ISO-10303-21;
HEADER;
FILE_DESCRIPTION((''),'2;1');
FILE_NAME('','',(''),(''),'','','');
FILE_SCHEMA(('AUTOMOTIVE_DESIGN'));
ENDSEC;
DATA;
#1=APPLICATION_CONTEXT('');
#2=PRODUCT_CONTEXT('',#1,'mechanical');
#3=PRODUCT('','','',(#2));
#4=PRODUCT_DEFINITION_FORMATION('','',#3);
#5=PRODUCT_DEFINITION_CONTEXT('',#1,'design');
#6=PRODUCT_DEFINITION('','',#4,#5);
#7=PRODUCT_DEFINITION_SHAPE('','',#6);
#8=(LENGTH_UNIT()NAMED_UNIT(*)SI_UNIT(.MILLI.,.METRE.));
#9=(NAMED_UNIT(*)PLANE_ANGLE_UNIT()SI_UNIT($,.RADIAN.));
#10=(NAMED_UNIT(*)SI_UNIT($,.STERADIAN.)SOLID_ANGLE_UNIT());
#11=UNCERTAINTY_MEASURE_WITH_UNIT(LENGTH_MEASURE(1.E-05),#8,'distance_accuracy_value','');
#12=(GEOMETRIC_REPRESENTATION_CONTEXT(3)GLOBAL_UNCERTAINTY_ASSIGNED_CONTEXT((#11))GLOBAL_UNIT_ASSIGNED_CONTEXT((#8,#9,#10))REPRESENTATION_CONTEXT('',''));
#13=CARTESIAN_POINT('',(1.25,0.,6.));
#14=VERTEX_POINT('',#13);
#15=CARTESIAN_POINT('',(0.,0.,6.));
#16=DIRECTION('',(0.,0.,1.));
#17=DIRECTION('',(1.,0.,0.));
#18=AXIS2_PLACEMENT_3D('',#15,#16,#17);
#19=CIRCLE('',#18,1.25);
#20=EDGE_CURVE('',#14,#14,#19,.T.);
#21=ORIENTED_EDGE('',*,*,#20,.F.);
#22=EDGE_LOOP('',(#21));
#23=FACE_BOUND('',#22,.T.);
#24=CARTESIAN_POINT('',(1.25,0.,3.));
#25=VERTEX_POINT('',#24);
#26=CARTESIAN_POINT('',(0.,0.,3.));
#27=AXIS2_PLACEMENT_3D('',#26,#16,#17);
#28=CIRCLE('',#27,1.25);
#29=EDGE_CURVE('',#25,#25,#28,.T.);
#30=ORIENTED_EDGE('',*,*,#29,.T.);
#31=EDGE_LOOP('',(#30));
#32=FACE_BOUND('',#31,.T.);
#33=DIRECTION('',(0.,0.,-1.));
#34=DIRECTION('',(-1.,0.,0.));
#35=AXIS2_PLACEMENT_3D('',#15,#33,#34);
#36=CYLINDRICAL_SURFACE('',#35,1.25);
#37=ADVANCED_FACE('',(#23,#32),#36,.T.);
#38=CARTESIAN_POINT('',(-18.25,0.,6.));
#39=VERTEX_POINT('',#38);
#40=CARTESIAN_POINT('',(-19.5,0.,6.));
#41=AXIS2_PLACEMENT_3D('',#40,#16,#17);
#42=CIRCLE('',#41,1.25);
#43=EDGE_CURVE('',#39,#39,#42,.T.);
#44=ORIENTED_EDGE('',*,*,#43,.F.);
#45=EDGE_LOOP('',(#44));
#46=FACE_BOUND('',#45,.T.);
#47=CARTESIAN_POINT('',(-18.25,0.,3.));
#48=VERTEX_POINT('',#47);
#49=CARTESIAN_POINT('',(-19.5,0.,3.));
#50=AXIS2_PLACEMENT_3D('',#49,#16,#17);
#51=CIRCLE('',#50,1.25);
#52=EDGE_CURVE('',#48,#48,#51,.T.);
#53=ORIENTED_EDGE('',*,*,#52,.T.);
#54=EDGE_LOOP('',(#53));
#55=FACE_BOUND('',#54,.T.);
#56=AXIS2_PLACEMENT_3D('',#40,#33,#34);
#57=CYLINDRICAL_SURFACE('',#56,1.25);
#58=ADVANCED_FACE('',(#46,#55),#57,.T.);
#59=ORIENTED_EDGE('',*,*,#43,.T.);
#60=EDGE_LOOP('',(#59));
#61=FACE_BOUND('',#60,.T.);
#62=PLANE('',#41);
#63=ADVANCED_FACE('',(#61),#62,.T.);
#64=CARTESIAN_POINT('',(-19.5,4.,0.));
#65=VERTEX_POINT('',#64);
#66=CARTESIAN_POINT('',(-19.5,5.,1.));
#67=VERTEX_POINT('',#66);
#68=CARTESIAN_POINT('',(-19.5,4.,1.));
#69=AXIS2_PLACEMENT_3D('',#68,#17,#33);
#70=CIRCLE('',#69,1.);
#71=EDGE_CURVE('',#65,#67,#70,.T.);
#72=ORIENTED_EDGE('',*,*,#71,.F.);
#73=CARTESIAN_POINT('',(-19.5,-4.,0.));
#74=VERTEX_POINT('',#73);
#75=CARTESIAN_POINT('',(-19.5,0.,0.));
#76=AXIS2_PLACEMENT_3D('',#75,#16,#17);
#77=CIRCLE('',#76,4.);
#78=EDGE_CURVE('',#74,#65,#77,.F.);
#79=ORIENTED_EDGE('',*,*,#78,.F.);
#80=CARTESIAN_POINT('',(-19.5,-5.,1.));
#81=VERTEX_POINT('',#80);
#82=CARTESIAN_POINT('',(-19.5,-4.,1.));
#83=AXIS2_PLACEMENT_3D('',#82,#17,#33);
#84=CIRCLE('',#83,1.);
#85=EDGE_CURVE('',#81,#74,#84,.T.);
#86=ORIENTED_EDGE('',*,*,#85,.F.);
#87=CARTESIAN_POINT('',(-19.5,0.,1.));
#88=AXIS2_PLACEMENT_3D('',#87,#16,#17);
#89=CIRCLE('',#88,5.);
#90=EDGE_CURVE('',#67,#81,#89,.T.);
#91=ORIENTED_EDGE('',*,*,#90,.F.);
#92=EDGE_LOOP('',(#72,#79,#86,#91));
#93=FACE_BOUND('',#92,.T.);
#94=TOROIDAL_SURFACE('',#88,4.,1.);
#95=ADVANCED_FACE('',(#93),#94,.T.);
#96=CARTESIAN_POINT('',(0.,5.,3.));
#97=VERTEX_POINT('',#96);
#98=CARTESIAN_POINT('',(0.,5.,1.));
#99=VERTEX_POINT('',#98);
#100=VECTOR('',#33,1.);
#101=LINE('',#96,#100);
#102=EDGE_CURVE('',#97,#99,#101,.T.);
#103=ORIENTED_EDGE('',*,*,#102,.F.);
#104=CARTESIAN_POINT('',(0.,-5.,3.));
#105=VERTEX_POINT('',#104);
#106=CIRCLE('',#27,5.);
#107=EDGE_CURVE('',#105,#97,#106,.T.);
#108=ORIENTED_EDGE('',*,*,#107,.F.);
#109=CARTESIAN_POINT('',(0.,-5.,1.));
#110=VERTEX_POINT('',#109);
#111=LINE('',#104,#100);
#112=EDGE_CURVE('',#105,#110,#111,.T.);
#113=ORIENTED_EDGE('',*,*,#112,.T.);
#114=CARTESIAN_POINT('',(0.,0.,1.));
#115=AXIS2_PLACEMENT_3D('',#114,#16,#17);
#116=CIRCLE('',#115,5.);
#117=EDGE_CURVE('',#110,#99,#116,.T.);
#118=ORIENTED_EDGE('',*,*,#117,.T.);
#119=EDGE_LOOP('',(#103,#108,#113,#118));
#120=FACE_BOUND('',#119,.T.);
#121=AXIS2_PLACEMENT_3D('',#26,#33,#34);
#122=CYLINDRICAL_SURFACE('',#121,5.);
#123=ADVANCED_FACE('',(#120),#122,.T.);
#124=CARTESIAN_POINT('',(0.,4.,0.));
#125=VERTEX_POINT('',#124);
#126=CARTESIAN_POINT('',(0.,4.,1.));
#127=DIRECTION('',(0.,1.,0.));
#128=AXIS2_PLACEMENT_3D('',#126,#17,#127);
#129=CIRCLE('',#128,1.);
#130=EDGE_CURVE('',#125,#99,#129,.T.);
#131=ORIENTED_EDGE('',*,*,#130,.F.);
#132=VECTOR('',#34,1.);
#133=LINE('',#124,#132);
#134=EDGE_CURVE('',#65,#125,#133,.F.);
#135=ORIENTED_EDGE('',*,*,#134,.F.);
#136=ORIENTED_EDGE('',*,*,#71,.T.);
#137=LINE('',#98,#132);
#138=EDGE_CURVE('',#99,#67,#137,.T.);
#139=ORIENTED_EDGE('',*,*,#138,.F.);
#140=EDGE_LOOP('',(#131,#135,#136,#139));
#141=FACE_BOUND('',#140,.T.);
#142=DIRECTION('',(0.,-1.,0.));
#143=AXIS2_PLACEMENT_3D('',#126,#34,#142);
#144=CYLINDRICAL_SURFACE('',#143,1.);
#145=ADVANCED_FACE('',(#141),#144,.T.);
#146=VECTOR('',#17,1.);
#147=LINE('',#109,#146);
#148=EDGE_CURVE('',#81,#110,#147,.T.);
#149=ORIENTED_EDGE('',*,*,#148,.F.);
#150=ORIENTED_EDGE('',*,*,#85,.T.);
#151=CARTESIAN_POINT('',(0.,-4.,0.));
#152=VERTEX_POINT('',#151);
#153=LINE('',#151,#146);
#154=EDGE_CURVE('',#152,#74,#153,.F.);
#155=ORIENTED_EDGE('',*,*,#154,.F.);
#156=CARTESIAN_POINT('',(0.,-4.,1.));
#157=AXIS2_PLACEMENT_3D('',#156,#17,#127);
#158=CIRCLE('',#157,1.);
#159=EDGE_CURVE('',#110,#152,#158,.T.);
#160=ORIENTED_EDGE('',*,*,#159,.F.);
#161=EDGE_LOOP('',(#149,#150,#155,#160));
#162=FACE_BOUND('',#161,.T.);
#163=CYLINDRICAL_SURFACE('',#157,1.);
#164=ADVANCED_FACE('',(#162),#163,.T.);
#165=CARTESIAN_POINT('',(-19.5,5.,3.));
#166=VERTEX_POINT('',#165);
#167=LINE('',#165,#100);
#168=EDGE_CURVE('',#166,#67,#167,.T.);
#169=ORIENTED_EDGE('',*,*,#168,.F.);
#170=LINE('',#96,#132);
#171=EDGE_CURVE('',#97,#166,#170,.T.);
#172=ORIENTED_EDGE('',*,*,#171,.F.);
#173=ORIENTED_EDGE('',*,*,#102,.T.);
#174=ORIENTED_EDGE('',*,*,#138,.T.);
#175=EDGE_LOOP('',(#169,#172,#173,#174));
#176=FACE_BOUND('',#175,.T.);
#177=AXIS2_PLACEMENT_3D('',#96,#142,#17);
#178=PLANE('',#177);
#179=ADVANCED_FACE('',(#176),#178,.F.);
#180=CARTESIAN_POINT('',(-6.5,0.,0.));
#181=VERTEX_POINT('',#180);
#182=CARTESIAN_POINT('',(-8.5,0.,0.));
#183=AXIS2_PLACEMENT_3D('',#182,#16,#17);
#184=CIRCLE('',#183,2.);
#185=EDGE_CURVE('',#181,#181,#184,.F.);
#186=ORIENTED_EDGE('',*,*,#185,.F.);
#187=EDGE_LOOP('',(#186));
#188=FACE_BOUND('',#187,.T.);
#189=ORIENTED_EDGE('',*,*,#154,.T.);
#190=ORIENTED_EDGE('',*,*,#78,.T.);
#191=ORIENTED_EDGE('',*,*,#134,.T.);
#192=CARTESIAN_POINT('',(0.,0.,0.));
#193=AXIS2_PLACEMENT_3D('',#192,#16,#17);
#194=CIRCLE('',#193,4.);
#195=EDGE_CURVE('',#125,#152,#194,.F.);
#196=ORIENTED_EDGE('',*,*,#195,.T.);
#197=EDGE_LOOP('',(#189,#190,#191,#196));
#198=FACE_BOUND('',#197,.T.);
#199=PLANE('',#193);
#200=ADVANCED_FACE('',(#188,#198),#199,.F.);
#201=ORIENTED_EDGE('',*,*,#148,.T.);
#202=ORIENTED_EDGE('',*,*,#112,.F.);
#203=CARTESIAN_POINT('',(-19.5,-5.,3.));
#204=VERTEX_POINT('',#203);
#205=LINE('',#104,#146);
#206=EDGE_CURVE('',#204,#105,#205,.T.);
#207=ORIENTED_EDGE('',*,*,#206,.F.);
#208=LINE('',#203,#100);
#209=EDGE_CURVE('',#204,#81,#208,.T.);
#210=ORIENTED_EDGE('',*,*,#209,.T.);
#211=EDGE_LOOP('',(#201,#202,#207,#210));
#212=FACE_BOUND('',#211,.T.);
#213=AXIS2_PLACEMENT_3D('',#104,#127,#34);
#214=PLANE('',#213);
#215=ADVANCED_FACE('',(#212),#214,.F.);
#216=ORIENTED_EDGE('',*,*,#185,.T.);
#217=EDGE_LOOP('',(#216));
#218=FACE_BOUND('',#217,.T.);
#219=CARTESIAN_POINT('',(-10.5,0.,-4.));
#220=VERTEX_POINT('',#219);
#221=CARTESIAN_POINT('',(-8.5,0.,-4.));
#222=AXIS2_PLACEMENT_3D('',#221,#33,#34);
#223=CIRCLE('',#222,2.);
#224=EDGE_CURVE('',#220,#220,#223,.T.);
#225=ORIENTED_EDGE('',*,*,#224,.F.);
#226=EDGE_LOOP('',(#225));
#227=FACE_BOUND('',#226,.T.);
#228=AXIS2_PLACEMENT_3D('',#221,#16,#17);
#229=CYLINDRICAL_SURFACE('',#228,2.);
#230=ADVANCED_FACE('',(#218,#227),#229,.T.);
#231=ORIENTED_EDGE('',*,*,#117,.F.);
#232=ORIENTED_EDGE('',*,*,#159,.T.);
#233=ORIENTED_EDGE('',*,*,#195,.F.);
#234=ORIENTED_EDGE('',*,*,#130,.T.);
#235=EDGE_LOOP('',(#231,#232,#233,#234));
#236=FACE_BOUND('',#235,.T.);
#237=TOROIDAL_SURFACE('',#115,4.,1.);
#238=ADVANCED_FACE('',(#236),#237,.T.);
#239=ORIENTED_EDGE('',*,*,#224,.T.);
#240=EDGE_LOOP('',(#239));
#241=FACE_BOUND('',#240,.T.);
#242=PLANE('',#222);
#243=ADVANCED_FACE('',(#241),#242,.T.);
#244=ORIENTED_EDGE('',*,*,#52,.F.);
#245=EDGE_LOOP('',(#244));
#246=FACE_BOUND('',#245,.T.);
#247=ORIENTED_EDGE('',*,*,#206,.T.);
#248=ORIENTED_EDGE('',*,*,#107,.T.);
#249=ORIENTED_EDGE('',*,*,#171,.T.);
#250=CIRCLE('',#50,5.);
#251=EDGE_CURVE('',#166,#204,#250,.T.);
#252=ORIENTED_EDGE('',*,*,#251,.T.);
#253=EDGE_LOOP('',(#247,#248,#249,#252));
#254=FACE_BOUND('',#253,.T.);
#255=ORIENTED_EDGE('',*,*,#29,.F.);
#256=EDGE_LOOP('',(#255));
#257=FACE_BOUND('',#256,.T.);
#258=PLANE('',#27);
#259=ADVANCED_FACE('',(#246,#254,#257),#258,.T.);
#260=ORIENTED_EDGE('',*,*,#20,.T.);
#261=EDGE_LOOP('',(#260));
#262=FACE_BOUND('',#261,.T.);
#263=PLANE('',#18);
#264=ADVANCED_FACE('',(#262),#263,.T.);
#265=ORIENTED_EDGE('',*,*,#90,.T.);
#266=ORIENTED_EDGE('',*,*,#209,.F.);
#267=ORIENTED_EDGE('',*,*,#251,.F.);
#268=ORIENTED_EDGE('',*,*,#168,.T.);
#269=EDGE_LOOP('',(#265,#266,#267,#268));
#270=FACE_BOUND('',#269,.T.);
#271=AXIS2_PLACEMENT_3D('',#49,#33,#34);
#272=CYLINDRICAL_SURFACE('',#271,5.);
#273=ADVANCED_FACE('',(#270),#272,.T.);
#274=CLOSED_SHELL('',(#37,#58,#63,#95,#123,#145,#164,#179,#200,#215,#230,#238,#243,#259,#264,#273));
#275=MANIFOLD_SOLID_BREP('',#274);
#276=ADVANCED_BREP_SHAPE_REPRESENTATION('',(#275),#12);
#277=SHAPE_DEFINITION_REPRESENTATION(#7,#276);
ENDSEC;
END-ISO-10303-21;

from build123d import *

# Parameters (mm, degrees)
BOSS_EXTRU_1_DEPTH = 3
ESQUISSE2_R        = 1.25
BOSS_EXTRU_2_DEPTH = 3
ESQUISSE3_R        = 2
BOSS_EXTRU_3_DEPTH = 4
CONG_1_R           = 1


with BuildPart() as part:
    # Esquisse1 → Boss.-Extru.1 (new body)
    with BuildSketch(Plane.XY):
        with BuildLine():
            Line((0, -5), (-19.5, -5))
            ThreePointArc((-19.5, -5), (-24.5, 0), (-19.5, 5))
            Line((-19.5, 5), (0, 5))
            ThreePointArc((0, 5), (5, 0), (0, -5))
        make_face()
    extrude(amount=BOSS_EXTRU_1_DEPTH)

    # Esquisse2 → Boss.-Extru.2 (add)
    with BuildSketch(Plane.XY.offset(3)):
        with Locations((-19.5, 0)):
            Circle(ESQUISSE2_R)
        Circle(ESQUISSE2_R)
    extrude(amount=BOSS_EXTRU_2_DEPTH)

    # Esquisse3 → Boss.-Extru.3 (add)
    with BuildSketch(Plane(origin=(0, 0, 0), x_dir=(-1, 0, 0), z_dir=(0, 0, -1))):
        with Locations(Location((8.5, 0, 0), (0, 0, 180))):
            Circle(ESQUISSE3_R)
    extrude(amount=BOSS_EXTRU_3_DEPTH)

    # Congé1
    cong_1_edges = [part.edges().sort_by_distance(p)[0] for p in [
        (-9.75, -5, 0),
        (-24.5, 0, 0),
        (-9.75, 5, 0),
        (5, 0, 0),
    ]]
    fillet(cong_1_edges, radius=CONG_1_R)


solid = part.part
